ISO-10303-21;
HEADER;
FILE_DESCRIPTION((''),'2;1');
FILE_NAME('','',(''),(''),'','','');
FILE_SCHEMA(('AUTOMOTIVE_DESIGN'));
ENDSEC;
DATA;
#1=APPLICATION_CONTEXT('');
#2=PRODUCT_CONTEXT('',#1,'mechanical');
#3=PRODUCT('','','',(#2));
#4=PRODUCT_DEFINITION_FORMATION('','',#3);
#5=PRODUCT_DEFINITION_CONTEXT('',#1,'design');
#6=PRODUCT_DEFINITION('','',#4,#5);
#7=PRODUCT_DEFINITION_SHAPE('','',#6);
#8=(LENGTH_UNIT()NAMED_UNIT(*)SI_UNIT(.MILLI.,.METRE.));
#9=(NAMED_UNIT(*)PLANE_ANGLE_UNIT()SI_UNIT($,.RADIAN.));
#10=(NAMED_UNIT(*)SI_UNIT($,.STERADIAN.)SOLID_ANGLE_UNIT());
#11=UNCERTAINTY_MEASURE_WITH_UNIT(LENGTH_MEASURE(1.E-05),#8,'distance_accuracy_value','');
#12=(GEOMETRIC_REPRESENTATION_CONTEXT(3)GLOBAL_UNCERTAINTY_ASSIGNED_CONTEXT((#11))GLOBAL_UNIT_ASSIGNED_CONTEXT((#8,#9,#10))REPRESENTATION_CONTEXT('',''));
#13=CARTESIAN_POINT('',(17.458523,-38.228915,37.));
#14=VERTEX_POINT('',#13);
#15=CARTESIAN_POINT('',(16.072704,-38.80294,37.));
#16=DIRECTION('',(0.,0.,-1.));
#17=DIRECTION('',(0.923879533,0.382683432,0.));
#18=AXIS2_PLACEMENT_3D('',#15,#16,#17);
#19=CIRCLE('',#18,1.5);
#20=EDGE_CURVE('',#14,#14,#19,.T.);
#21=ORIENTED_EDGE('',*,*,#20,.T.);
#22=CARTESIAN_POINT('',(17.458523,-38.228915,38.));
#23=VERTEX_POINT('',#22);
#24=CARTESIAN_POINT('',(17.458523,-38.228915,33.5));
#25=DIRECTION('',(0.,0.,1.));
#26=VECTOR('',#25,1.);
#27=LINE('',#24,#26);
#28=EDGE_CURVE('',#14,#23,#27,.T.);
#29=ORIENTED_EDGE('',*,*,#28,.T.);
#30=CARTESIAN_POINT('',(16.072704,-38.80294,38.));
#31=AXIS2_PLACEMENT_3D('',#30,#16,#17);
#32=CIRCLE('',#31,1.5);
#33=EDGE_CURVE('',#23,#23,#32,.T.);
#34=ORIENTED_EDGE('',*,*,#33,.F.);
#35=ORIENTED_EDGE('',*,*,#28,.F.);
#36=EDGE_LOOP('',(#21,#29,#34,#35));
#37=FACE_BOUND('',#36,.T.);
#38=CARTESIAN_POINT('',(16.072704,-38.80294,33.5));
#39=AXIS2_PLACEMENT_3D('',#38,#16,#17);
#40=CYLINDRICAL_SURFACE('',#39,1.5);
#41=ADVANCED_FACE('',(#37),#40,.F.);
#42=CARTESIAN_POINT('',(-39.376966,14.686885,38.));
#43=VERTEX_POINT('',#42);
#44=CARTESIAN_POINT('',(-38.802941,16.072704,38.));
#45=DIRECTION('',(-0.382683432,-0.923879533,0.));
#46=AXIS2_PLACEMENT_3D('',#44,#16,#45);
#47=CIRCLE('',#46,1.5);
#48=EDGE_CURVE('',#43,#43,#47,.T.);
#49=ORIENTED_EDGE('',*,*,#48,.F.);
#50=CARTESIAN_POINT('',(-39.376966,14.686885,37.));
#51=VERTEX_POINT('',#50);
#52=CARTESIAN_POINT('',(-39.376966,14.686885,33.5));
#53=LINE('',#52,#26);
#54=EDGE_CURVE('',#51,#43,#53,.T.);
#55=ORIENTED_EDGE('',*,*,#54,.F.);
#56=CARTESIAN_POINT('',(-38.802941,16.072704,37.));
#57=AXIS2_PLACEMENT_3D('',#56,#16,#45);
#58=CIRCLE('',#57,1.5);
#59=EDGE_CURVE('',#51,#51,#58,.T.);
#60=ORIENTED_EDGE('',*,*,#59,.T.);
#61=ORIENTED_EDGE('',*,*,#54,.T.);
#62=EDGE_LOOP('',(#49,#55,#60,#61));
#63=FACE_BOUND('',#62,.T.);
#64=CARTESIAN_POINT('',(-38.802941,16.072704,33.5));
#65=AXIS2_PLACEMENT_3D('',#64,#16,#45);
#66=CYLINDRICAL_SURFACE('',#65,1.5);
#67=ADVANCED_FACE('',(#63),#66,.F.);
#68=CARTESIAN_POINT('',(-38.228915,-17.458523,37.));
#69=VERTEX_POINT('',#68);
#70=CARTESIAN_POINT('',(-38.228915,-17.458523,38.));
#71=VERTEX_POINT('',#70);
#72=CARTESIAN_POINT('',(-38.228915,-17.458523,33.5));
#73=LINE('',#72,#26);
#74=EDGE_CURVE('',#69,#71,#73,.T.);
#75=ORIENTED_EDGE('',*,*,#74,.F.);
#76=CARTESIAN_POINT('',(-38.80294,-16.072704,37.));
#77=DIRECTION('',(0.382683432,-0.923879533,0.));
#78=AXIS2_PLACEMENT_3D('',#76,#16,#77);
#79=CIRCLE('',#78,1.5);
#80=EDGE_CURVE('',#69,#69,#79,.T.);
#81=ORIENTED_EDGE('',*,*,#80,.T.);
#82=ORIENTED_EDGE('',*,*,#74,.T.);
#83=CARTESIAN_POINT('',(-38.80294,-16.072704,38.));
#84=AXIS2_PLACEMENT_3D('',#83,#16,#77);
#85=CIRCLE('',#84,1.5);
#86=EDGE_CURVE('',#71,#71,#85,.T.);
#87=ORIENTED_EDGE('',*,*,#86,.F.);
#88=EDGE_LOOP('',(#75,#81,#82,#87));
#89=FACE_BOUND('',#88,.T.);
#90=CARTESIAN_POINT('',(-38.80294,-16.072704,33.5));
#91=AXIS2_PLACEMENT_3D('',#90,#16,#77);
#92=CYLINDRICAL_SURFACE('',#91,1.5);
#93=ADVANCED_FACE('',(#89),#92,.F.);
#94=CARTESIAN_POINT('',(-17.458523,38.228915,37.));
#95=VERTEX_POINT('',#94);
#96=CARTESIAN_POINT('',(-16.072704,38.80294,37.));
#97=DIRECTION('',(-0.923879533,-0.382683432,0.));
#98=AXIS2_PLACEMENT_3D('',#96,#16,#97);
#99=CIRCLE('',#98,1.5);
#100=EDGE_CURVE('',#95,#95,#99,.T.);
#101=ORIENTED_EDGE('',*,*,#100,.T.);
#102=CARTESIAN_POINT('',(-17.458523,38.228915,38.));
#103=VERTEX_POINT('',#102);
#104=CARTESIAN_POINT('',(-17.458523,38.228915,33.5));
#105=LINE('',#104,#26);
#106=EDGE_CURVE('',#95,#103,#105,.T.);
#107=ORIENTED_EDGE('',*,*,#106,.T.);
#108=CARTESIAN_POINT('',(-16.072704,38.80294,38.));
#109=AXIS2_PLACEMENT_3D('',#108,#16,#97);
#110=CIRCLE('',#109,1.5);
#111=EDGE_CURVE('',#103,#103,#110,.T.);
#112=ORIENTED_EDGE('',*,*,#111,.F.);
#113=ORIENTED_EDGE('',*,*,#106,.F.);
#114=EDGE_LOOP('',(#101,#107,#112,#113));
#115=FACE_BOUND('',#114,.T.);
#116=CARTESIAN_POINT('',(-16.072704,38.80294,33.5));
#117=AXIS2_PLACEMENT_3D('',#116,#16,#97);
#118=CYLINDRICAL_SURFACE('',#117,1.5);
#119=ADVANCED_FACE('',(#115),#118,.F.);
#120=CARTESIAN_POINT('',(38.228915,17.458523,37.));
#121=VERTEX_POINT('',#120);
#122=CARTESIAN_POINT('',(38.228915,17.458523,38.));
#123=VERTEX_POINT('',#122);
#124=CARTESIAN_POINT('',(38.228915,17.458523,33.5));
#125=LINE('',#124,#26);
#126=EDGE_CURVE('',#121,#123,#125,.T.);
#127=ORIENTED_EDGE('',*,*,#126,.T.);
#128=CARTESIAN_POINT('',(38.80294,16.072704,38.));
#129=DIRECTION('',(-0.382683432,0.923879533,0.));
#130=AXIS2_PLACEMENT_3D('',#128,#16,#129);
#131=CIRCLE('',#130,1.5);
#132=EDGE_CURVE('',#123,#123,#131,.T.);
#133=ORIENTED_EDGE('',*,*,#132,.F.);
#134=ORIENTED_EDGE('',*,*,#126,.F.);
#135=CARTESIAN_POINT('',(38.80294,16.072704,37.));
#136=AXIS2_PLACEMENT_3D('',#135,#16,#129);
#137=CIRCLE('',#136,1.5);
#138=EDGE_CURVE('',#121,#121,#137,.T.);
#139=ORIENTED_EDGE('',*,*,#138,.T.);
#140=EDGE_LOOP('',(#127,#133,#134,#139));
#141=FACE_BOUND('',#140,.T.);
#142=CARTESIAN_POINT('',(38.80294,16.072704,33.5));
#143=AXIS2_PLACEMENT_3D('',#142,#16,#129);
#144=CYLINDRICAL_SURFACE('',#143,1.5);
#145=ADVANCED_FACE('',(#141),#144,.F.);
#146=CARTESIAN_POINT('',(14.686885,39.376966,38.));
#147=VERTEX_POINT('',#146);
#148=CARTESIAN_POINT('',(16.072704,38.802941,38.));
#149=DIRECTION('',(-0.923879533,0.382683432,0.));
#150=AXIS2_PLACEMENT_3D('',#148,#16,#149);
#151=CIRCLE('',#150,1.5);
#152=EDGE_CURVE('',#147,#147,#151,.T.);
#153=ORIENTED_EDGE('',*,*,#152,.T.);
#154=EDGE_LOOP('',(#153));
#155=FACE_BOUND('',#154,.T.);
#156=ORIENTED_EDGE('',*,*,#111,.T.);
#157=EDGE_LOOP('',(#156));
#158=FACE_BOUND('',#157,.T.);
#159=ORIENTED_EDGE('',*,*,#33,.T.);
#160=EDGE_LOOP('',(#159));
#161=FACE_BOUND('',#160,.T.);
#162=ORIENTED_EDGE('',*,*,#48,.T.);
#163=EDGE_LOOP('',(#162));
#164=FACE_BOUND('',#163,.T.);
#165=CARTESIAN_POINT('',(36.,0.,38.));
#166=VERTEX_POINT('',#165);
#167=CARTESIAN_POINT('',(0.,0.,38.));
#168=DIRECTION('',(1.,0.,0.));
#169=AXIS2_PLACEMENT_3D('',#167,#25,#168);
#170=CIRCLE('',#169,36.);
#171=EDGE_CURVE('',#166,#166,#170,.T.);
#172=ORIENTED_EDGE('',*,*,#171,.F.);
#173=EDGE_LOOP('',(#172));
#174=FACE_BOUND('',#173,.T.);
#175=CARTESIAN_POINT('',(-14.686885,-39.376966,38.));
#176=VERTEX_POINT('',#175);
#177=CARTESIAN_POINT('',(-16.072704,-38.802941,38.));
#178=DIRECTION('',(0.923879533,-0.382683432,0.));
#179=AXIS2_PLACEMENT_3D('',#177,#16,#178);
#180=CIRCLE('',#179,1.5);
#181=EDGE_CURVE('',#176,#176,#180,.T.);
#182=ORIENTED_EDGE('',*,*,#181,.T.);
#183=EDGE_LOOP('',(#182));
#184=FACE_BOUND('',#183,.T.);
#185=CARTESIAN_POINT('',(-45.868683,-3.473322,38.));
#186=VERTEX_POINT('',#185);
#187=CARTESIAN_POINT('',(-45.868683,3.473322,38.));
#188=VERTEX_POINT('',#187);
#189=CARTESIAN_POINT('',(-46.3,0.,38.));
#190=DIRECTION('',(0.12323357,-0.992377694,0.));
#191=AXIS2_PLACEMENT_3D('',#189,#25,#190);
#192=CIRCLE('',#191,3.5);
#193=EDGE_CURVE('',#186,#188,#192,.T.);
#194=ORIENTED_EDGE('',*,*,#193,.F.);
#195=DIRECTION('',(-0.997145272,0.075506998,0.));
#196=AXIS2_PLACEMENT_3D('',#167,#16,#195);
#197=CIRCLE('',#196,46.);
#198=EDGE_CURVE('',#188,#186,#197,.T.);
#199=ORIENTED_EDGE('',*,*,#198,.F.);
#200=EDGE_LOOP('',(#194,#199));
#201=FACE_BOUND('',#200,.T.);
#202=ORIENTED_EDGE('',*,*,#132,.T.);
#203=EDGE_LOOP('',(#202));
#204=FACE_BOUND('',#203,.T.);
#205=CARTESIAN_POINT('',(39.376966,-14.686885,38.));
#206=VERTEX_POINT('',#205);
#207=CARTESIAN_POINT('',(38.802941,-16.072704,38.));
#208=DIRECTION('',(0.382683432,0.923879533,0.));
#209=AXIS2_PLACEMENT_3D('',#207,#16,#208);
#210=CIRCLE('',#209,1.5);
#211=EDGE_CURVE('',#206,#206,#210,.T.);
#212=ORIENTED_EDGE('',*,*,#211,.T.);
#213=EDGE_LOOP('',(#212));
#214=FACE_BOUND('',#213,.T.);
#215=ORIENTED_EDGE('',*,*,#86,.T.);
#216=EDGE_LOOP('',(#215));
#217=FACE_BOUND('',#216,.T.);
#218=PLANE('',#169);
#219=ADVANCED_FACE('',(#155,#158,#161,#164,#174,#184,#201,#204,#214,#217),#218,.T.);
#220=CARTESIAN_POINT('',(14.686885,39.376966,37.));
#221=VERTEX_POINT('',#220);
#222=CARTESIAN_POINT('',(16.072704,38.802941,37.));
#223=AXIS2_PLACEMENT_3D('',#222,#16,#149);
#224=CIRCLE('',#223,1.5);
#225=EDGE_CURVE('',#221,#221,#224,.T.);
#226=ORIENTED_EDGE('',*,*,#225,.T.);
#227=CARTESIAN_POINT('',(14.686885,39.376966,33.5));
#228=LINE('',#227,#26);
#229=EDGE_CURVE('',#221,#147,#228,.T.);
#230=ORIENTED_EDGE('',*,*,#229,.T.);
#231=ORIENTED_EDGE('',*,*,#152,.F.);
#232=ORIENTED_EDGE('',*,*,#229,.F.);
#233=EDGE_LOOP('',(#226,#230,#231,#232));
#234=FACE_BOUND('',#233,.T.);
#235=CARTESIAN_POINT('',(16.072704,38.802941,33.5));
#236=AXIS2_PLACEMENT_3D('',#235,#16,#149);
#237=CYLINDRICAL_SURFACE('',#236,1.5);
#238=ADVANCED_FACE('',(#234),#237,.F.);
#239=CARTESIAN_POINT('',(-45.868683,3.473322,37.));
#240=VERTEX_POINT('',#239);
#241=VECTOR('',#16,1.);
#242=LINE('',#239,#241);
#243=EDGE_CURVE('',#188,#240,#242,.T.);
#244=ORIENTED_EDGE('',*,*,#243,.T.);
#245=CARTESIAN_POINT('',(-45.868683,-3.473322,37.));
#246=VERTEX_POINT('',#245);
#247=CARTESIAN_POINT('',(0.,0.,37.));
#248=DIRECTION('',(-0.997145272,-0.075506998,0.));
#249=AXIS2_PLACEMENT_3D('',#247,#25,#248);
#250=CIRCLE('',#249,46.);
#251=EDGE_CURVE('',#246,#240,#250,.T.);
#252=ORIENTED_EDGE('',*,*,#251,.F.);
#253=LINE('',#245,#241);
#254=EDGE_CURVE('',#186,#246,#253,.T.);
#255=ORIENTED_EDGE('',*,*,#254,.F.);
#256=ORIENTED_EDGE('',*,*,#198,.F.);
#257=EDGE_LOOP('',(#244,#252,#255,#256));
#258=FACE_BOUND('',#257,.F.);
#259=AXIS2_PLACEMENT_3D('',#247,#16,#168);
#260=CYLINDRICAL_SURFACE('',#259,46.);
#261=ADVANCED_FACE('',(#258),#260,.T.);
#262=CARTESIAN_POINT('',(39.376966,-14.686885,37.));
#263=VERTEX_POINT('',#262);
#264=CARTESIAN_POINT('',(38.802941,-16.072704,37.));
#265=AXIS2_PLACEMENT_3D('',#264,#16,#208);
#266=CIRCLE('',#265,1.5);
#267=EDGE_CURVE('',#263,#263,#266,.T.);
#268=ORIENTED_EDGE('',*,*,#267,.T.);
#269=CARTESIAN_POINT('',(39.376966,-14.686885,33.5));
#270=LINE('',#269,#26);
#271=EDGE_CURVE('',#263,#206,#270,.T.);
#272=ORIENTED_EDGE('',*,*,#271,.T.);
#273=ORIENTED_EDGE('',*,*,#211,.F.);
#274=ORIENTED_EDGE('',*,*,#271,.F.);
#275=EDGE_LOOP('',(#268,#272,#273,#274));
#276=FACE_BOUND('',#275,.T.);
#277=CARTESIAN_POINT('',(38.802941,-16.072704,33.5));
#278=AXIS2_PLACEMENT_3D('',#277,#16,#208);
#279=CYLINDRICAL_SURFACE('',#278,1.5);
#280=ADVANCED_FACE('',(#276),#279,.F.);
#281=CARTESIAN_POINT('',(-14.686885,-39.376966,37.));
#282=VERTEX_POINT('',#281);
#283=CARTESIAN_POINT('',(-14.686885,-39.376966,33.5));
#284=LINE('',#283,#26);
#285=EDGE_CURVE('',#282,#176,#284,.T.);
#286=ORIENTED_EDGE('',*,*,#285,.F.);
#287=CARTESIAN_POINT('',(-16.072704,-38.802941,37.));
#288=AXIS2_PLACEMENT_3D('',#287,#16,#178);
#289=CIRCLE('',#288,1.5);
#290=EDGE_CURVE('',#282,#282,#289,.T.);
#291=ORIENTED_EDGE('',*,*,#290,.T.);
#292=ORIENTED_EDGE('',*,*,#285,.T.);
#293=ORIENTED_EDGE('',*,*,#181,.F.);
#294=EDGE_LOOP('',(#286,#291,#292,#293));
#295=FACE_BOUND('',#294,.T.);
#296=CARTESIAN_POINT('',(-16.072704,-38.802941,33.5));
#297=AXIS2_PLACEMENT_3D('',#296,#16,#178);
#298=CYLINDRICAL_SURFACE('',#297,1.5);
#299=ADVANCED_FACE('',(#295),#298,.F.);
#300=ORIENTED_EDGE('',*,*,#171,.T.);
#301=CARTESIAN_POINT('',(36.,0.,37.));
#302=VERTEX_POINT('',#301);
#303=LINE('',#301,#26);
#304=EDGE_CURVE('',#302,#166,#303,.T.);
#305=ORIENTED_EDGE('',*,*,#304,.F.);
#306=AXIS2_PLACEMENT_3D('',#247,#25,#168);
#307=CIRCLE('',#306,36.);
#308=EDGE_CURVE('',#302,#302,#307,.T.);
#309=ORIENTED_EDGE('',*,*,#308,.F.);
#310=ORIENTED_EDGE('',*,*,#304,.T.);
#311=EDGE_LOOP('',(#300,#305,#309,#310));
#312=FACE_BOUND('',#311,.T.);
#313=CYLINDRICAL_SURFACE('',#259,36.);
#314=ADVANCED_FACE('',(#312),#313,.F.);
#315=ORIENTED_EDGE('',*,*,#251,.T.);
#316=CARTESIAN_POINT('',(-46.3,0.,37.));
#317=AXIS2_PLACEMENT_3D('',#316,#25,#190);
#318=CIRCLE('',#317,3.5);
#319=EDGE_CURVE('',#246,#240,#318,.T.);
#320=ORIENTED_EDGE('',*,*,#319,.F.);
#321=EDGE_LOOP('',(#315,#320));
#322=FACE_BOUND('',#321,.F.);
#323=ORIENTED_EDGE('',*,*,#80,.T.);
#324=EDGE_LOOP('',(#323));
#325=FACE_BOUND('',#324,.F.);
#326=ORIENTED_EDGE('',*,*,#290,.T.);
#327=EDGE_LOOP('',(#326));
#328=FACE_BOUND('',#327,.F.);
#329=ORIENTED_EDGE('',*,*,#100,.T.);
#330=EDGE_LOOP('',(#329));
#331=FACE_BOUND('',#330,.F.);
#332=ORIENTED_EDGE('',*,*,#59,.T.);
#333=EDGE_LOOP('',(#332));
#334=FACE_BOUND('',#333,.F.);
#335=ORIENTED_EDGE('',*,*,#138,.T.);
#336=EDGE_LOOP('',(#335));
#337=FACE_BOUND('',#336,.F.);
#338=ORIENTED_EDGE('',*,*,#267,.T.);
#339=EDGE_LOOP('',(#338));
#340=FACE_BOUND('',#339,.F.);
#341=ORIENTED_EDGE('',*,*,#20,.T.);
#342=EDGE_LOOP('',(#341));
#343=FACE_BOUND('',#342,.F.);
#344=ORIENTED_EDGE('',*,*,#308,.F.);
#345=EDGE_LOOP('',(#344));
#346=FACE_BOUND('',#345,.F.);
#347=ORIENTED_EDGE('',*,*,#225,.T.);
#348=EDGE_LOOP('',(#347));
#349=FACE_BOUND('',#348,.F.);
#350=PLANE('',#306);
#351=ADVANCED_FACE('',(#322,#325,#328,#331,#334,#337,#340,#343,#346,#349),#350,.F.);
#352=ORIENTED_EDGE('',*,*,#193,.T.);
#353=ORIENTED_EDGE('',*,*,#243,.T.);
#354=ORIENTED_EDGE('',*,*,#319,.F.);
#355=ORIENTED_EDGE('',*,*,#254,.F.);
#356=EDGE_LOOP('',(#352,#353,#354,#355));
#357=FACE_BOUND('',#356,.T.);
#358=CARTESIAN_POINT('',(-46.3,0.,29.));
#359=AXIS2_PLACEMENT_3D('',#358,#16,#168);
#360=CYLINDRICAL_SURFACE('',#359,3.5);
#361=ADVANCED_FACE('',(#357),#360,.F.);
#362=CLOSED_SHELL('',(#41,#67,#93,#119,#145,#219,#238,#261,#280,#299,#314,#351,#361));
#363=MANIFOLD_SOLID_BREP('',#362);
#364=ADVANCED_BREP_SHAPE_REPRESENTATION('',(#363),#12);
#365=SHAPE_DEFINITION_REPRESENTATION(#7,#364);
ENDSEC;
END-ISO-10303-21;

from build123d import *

# Parameters (mm, degrees)
BOX319_W                    = 6
BOX319_H                    = 8
BOX319_DEPTH                = 2
BOX319_PLACEMENT_ANGLE      = 45
BOX321_W                    = 6
BOX321_H                    = 8
BOX321_DEPTH                = 2
BOX312_W                    = 6
BOX312_H                    = 8
BOX312_DEPTH                = 2
BOX324_W                    = 6
BOX324_H                    = 8
BOX324_DEPTH                = 2
BOX324_PLACEMENT_ANGLE      = 135
BOX322_W                    = 6
BOX322_H                    = 8
BOX322_DEPTH                = 2
BOX326_W                    = 6
BOX326_H                    = 8
BOX326_DEPTH                = 2
BOX326_PLACEMENT_ANGLE      = 225
BOX315_W                    = 6
BOX315_H                    = 8
BOX315_DEPTH                = 2
BOX325_W                    = 6
BOX325_H                    = 8
BOX325_DEPTH                = 2
BOX325_PLACEMENT_ANGLE      = 45
COMPOUND700_PLACEMENT_ANGLE = 22.5
CYLINDER700_R               = 1.5
CYLINDER700_DEPTH           = 12
CYLINDER700_PLACEMENT_ANGLE = 45
CYLINDER708_R               = 1.5
CYLINDER708_DEPTH           = 12
CYLINDER706_R               = 1.5
CYLINDER706_DEPTH           = 12
CYLINDER706_PLACEMENT_ANGLE = 135
CYLINDER705_R               = 1.5
CYLINDER705_DEPTH           = 12
CYLINDER707_R               = 1.5
CYLINDER707_DEPTH           = 12
CYLINDER707_PLACEMENT_ANGLE = 225
CYLINDER704_R               = 1.5
CYLINDER704_DEPTH           = 12
CYLINDER699_R               = 1.5
CYLINDER699_DEPTH           = 12
CYLINDER699_PLACEMENT_ANGLE = 45
CYLINDER702_R               = 1.5
CYLINDER702_DEPTH           = 12
COMPOUND701_PLACEMENT_ANGLE = 22.5
CYLINDER697_R               = 3.5
CYLINDER697_DEPTH           = 20
TUBE076_R                   = 46
TUBE076_R_2                 = 36
TUBE076_DEPTH               = 1


with BuildPart() as krychle319:
    # Box319 → Box319 (new body)
    with BuildSketch(Plane.XY):
        with Locations((3, 4)):
            Rectangle(BOX319_W, BOX319_H)
    extrude(amount=BOX319_DEPTH)


with BuildPart() as krychle319_1:
    # Box319 placement: moved
    add(krychle319.part.moved(Location((30.405592, -34.648232, 33))).rotate(Axis((30.405592, -34.648232, 33), (0, 0, 1)), BOX319_PLACEMENT_ANGLE))


with BuildPart() as krychle321:
    # Box321 → Box321 (new body)
    with BuildSketch(Plane(origin=(46, -3, 33), x_dir=(0, 1, 0), z_dir=(0, 0, 1))):
        with Locations((3, 4)):
            Rectangle(BOX321_W, BOX321_H)
    extrude(amount=BOX321_DEPTH)


with BuildPart() as krychle312:
    # Box312 → Box312 (new body)
    with BuildSketch(Plane(origin=(-3, -46, 33), x_dir=(1, 0, 0), z_dir=(0, 0, 1))):
        with Locations((3, 4)):
            Rectangle(BOX312_W, BOX312_H)
    extrude(amount=BOX312_DEPTH)


with BuildPart() as krychle324:
    # Box324 → Box324 (new body)
    with BuildSketch(Plane.XY):
        with Locations((3, 4)):
            Rectangle(BOX324_W, BOX324_H)
    extrude(amount=BOX324_DEPTH)


with BuildPart() as krychle324_1:
    # Box324 placement: moved
    add(krychle324.part.moved(Location((34.648232, 30.405592, 33))).rotate(Axis((34.648232, 30.405592, 33), (0, 0, 1)), BOX324_PLACEMENT_ANGLE))


with BuildPart() as krychle322:
    # Box322 → Box322 (new body)
    with BuildSketch(Plane(origin=(3, 46, 33), x_dir=(-1, 0, 0), z_dir=(0, 0, 1))):
        with Locations((3, 4)):
            Rectangle(BOX322_W, BOX322_H)
    extrude(amount=BOX322_DEPTH)


with BuildPart() as krychle326:
    # Box326 → Box326 (new body)
    with BuildSketch(Plane.XY):
        with Locations((3, 4)):
            Rectangle(BOX326_W, BOX326_H)
    extrude(amount=BOX326_DEPTH)


with BuildPart() as krychle326_1:
    # Box326 placement: moved
    add(krychle326.part.moved(Location((-30.405592, 34.648232, 33))).rotate(Axis((-30.405592, 34.648232, 33), (0, 0, 1)), BOX326_PLACEMENT_ANGLE))


with BuildPart() as krychle315:
    # Box315 → Box315 (new body)
    with BuildSketch(Plane(origin=(-46, 3, 33), x_dir=(0, -1, 0), z_dir=(0, 0, 1))):
        with Locations((3, 4)):
            Rectangle(BOX315_W, BOX315_H)
    extrude(amount=BOX315_DEPTH)


with BuildPart() as compound700:
    # Box325 → Box325 (new body)
    with BuildSketch(Plane.XY):
        with Locations((3, 4)):
            Rectangle(BOX325_W, BOX325_H)
    extrude(amount=BOX325_DEPTH)


with BuildPart() as compound700_1:
    # Box325 placement: moved
    add(compound700.part.moved(Location((-34.648232, -30.405592, 33))).rotate(Axis((-34.648232, -30.405592, 33), (0, 0, -1)), BOX325_PLACEMENT_ANGLE))

    # Compound700: union Krychle319, Krychle321, Krychle312, Krychle324, Krychle322, Krychle326, Krychle315
    add(krychle319_1.part)
    add(krychle321.part)
    add(krychle312.part)
    add(krychle324_1.part)
    add(krychle322.part)
    add(krychle326_1.part)
    add(krychle315.part)


with BuildPart() as compound700_2:
    # Compound700 placement: moved
    add(compound700_1.part.rotate(Axis((0, 0, 0), (0, 0, 1)), COMPOUND700_PLACEMENT_ANGLE))


with BuildPart() as v_lec700:
    # Cylinder700 → Cylinder700 (new body)
    with BuildSketch(Plane.XY):
        Circle(CYLINDER700_R)
    extrude(amount=CYLINDER700_DEPTH)


with BuildPart() as v_lec700_1:
    # Cylinder700 placement: moved
    add(v_lec700.part.moved(Location((29.698485, -29.698485, 33.5))).rotate(Axis((29.698485, -29.698485, 33.5), (0, 0, 1)), CYLINDER700_PLACEMENT_ANGLE))


with BuildPart() as v_lec708:
    # Cylinder708 → Cylinder708 (new body)
    with BuildSketch(Plane(origin=(42, 0, 33.5), x_dir=(0, 1, 0), z_dir=(0, 0, 1))):
        Circle(CYLINDER708_R)
    extrude(amount=CYLINDER708_DEPTH)


with BuildPart() as v_lec706:
    # Cylinder706 → Cylinder706 (new body)
    with BuildSketch(Plane.XY):
        Circle(CYLINDER706_R)
    extrude(amount=CYLINDER706_DEPTH)


with BuildPart() as v_lec706_1:
    # Cylinder706 placement: moved
    add(v_lec706.part.moved(Location((29.698485, 29.698485, 33.5))).rotate(Axis((29.698485, 29.698485, 33.5), (0, 0, 1)), CYLINDER706_PLACEMENT_ANGLE))


with BuildPart() as v_lec705:
    # Cylinder705 → Cylinder705 (new body)
    with BuildSketch(Plane(origin=(0, 42, 33.5), x_dir=(-1, 0, 0), z_dir=(0, 0, 1))):
        Circle(CYLINDER705_R)
    extrude(amount=CYLINDER705_DEPTH)


with BuildPart() as v_lec707:
    # Cylinder707 → Cylinder707 (new body)
    with BuildSketch(Plane.XY):
        Circle(CYLINDER707_R)
    extrude(amount=CYLINDER707_DEPTH)


with BuildPart() as v_lec707_1:
    # Cylinder707 placement: moved
    add(v_lec707.part.moved(Location((-29.698485, 29.698485, 33.5))).rotate(Axis((-29.698485, 29.698485, 33.5), (0, 0, 1)), CYLINDER707_PLACEMENT_ANGLE))


with BuildPart() as v_lec704:
    # Cylinder704 → Cylinder704 (new body)
    with BuildSketch(Plane(origin=(-42, 0, 33.5), x_dir=(0, -1, 0), z_dir=(0, 0, 1))):
        Circle(CYLINDER704_R)
    extrude(amount=CYLINDER704_DEPTH)


with BuildPart() as v_lec699:
    # Cylinder699 → Cylinder699 (new body)
    with BuildSketch(Plane.XY):
        Circle(CYLINDER699_R)
    extrude(amount=CYLINDER699_DEPTH)


with BuildPart() as v_lec699_1:
    # Cylinder699 placement: moved
    add(v_lec699.part.moved(Location((-29.698485, -29.698485, 33.5))).rotate(Axis((-29.698485, -29.698485, 33.5), (0, 0, -1)), CYLINDER699_PLACEMENT_ANGLE))


with BuildPart() as compound701:
    # Cylinder702 → Cylinder702 (new body)
    with BuildSketch(Plane(origin=(0, -42, 33.5), x_dir=(1, 0, 0), z_dir=(0, 0, 1))):
        Circle(CYLINDER702_R)
    extrude(amount=CYLINDER702_DEPTH)

    # Compound701: union Válec700, Válec708, Válec706, Válec705, Válec707, Válec704, Válec699
    add(v_lec700_1.part)
    add(v_lec708.part)
    add(v_lec706_1.part)
    add(v_lec705.part)
    add(v_lec707_1.part)
    add(v_lec704.part)
    add(v_lec699_1.part)


with BuildPart() as compound701_1:
    # Compound701 placement: moved
    add(compound701.part.rotate(Axis((0, 0, 0), (0, 0, 1)), COMPOUND701_PLACEMENT_ANGLE))


with BuildPart() as v_lec697:
    # Cylinder697 → Cylinder697 (new body)
    with BuildSketch(Plane(origin=(-46.3, 0, 29), x_dir=(1, 0, 0), z_dir=(0, 0, 1))):
        Circle(CYLINDER697_R)
    extrude(amount=CYLINDER697_DEPTH)


with BuildPart() as cut321:
    # Tube076 → Tube076 (new body)
    with BuildSketch(Plane.XY.offset(37)):
        Circle(TUBE076_R)
        Circle(TUBE076_R_2, mode=Mode.SUBTRACT)
    extrude(amount=TUBE076_DEPTH)

    # Cut323: cut Válec697
    add(v_lec697.part, mode=Mode.SUBTRACT)

    # Cut330: cut Compound701
    add(compound701_1.part, mode=Mode.SUBTRACT)

    # Cut321: cut Compound700
    add(compound700_2.part, mode=Mode.SUBTRACT)


solid = cut321.part
